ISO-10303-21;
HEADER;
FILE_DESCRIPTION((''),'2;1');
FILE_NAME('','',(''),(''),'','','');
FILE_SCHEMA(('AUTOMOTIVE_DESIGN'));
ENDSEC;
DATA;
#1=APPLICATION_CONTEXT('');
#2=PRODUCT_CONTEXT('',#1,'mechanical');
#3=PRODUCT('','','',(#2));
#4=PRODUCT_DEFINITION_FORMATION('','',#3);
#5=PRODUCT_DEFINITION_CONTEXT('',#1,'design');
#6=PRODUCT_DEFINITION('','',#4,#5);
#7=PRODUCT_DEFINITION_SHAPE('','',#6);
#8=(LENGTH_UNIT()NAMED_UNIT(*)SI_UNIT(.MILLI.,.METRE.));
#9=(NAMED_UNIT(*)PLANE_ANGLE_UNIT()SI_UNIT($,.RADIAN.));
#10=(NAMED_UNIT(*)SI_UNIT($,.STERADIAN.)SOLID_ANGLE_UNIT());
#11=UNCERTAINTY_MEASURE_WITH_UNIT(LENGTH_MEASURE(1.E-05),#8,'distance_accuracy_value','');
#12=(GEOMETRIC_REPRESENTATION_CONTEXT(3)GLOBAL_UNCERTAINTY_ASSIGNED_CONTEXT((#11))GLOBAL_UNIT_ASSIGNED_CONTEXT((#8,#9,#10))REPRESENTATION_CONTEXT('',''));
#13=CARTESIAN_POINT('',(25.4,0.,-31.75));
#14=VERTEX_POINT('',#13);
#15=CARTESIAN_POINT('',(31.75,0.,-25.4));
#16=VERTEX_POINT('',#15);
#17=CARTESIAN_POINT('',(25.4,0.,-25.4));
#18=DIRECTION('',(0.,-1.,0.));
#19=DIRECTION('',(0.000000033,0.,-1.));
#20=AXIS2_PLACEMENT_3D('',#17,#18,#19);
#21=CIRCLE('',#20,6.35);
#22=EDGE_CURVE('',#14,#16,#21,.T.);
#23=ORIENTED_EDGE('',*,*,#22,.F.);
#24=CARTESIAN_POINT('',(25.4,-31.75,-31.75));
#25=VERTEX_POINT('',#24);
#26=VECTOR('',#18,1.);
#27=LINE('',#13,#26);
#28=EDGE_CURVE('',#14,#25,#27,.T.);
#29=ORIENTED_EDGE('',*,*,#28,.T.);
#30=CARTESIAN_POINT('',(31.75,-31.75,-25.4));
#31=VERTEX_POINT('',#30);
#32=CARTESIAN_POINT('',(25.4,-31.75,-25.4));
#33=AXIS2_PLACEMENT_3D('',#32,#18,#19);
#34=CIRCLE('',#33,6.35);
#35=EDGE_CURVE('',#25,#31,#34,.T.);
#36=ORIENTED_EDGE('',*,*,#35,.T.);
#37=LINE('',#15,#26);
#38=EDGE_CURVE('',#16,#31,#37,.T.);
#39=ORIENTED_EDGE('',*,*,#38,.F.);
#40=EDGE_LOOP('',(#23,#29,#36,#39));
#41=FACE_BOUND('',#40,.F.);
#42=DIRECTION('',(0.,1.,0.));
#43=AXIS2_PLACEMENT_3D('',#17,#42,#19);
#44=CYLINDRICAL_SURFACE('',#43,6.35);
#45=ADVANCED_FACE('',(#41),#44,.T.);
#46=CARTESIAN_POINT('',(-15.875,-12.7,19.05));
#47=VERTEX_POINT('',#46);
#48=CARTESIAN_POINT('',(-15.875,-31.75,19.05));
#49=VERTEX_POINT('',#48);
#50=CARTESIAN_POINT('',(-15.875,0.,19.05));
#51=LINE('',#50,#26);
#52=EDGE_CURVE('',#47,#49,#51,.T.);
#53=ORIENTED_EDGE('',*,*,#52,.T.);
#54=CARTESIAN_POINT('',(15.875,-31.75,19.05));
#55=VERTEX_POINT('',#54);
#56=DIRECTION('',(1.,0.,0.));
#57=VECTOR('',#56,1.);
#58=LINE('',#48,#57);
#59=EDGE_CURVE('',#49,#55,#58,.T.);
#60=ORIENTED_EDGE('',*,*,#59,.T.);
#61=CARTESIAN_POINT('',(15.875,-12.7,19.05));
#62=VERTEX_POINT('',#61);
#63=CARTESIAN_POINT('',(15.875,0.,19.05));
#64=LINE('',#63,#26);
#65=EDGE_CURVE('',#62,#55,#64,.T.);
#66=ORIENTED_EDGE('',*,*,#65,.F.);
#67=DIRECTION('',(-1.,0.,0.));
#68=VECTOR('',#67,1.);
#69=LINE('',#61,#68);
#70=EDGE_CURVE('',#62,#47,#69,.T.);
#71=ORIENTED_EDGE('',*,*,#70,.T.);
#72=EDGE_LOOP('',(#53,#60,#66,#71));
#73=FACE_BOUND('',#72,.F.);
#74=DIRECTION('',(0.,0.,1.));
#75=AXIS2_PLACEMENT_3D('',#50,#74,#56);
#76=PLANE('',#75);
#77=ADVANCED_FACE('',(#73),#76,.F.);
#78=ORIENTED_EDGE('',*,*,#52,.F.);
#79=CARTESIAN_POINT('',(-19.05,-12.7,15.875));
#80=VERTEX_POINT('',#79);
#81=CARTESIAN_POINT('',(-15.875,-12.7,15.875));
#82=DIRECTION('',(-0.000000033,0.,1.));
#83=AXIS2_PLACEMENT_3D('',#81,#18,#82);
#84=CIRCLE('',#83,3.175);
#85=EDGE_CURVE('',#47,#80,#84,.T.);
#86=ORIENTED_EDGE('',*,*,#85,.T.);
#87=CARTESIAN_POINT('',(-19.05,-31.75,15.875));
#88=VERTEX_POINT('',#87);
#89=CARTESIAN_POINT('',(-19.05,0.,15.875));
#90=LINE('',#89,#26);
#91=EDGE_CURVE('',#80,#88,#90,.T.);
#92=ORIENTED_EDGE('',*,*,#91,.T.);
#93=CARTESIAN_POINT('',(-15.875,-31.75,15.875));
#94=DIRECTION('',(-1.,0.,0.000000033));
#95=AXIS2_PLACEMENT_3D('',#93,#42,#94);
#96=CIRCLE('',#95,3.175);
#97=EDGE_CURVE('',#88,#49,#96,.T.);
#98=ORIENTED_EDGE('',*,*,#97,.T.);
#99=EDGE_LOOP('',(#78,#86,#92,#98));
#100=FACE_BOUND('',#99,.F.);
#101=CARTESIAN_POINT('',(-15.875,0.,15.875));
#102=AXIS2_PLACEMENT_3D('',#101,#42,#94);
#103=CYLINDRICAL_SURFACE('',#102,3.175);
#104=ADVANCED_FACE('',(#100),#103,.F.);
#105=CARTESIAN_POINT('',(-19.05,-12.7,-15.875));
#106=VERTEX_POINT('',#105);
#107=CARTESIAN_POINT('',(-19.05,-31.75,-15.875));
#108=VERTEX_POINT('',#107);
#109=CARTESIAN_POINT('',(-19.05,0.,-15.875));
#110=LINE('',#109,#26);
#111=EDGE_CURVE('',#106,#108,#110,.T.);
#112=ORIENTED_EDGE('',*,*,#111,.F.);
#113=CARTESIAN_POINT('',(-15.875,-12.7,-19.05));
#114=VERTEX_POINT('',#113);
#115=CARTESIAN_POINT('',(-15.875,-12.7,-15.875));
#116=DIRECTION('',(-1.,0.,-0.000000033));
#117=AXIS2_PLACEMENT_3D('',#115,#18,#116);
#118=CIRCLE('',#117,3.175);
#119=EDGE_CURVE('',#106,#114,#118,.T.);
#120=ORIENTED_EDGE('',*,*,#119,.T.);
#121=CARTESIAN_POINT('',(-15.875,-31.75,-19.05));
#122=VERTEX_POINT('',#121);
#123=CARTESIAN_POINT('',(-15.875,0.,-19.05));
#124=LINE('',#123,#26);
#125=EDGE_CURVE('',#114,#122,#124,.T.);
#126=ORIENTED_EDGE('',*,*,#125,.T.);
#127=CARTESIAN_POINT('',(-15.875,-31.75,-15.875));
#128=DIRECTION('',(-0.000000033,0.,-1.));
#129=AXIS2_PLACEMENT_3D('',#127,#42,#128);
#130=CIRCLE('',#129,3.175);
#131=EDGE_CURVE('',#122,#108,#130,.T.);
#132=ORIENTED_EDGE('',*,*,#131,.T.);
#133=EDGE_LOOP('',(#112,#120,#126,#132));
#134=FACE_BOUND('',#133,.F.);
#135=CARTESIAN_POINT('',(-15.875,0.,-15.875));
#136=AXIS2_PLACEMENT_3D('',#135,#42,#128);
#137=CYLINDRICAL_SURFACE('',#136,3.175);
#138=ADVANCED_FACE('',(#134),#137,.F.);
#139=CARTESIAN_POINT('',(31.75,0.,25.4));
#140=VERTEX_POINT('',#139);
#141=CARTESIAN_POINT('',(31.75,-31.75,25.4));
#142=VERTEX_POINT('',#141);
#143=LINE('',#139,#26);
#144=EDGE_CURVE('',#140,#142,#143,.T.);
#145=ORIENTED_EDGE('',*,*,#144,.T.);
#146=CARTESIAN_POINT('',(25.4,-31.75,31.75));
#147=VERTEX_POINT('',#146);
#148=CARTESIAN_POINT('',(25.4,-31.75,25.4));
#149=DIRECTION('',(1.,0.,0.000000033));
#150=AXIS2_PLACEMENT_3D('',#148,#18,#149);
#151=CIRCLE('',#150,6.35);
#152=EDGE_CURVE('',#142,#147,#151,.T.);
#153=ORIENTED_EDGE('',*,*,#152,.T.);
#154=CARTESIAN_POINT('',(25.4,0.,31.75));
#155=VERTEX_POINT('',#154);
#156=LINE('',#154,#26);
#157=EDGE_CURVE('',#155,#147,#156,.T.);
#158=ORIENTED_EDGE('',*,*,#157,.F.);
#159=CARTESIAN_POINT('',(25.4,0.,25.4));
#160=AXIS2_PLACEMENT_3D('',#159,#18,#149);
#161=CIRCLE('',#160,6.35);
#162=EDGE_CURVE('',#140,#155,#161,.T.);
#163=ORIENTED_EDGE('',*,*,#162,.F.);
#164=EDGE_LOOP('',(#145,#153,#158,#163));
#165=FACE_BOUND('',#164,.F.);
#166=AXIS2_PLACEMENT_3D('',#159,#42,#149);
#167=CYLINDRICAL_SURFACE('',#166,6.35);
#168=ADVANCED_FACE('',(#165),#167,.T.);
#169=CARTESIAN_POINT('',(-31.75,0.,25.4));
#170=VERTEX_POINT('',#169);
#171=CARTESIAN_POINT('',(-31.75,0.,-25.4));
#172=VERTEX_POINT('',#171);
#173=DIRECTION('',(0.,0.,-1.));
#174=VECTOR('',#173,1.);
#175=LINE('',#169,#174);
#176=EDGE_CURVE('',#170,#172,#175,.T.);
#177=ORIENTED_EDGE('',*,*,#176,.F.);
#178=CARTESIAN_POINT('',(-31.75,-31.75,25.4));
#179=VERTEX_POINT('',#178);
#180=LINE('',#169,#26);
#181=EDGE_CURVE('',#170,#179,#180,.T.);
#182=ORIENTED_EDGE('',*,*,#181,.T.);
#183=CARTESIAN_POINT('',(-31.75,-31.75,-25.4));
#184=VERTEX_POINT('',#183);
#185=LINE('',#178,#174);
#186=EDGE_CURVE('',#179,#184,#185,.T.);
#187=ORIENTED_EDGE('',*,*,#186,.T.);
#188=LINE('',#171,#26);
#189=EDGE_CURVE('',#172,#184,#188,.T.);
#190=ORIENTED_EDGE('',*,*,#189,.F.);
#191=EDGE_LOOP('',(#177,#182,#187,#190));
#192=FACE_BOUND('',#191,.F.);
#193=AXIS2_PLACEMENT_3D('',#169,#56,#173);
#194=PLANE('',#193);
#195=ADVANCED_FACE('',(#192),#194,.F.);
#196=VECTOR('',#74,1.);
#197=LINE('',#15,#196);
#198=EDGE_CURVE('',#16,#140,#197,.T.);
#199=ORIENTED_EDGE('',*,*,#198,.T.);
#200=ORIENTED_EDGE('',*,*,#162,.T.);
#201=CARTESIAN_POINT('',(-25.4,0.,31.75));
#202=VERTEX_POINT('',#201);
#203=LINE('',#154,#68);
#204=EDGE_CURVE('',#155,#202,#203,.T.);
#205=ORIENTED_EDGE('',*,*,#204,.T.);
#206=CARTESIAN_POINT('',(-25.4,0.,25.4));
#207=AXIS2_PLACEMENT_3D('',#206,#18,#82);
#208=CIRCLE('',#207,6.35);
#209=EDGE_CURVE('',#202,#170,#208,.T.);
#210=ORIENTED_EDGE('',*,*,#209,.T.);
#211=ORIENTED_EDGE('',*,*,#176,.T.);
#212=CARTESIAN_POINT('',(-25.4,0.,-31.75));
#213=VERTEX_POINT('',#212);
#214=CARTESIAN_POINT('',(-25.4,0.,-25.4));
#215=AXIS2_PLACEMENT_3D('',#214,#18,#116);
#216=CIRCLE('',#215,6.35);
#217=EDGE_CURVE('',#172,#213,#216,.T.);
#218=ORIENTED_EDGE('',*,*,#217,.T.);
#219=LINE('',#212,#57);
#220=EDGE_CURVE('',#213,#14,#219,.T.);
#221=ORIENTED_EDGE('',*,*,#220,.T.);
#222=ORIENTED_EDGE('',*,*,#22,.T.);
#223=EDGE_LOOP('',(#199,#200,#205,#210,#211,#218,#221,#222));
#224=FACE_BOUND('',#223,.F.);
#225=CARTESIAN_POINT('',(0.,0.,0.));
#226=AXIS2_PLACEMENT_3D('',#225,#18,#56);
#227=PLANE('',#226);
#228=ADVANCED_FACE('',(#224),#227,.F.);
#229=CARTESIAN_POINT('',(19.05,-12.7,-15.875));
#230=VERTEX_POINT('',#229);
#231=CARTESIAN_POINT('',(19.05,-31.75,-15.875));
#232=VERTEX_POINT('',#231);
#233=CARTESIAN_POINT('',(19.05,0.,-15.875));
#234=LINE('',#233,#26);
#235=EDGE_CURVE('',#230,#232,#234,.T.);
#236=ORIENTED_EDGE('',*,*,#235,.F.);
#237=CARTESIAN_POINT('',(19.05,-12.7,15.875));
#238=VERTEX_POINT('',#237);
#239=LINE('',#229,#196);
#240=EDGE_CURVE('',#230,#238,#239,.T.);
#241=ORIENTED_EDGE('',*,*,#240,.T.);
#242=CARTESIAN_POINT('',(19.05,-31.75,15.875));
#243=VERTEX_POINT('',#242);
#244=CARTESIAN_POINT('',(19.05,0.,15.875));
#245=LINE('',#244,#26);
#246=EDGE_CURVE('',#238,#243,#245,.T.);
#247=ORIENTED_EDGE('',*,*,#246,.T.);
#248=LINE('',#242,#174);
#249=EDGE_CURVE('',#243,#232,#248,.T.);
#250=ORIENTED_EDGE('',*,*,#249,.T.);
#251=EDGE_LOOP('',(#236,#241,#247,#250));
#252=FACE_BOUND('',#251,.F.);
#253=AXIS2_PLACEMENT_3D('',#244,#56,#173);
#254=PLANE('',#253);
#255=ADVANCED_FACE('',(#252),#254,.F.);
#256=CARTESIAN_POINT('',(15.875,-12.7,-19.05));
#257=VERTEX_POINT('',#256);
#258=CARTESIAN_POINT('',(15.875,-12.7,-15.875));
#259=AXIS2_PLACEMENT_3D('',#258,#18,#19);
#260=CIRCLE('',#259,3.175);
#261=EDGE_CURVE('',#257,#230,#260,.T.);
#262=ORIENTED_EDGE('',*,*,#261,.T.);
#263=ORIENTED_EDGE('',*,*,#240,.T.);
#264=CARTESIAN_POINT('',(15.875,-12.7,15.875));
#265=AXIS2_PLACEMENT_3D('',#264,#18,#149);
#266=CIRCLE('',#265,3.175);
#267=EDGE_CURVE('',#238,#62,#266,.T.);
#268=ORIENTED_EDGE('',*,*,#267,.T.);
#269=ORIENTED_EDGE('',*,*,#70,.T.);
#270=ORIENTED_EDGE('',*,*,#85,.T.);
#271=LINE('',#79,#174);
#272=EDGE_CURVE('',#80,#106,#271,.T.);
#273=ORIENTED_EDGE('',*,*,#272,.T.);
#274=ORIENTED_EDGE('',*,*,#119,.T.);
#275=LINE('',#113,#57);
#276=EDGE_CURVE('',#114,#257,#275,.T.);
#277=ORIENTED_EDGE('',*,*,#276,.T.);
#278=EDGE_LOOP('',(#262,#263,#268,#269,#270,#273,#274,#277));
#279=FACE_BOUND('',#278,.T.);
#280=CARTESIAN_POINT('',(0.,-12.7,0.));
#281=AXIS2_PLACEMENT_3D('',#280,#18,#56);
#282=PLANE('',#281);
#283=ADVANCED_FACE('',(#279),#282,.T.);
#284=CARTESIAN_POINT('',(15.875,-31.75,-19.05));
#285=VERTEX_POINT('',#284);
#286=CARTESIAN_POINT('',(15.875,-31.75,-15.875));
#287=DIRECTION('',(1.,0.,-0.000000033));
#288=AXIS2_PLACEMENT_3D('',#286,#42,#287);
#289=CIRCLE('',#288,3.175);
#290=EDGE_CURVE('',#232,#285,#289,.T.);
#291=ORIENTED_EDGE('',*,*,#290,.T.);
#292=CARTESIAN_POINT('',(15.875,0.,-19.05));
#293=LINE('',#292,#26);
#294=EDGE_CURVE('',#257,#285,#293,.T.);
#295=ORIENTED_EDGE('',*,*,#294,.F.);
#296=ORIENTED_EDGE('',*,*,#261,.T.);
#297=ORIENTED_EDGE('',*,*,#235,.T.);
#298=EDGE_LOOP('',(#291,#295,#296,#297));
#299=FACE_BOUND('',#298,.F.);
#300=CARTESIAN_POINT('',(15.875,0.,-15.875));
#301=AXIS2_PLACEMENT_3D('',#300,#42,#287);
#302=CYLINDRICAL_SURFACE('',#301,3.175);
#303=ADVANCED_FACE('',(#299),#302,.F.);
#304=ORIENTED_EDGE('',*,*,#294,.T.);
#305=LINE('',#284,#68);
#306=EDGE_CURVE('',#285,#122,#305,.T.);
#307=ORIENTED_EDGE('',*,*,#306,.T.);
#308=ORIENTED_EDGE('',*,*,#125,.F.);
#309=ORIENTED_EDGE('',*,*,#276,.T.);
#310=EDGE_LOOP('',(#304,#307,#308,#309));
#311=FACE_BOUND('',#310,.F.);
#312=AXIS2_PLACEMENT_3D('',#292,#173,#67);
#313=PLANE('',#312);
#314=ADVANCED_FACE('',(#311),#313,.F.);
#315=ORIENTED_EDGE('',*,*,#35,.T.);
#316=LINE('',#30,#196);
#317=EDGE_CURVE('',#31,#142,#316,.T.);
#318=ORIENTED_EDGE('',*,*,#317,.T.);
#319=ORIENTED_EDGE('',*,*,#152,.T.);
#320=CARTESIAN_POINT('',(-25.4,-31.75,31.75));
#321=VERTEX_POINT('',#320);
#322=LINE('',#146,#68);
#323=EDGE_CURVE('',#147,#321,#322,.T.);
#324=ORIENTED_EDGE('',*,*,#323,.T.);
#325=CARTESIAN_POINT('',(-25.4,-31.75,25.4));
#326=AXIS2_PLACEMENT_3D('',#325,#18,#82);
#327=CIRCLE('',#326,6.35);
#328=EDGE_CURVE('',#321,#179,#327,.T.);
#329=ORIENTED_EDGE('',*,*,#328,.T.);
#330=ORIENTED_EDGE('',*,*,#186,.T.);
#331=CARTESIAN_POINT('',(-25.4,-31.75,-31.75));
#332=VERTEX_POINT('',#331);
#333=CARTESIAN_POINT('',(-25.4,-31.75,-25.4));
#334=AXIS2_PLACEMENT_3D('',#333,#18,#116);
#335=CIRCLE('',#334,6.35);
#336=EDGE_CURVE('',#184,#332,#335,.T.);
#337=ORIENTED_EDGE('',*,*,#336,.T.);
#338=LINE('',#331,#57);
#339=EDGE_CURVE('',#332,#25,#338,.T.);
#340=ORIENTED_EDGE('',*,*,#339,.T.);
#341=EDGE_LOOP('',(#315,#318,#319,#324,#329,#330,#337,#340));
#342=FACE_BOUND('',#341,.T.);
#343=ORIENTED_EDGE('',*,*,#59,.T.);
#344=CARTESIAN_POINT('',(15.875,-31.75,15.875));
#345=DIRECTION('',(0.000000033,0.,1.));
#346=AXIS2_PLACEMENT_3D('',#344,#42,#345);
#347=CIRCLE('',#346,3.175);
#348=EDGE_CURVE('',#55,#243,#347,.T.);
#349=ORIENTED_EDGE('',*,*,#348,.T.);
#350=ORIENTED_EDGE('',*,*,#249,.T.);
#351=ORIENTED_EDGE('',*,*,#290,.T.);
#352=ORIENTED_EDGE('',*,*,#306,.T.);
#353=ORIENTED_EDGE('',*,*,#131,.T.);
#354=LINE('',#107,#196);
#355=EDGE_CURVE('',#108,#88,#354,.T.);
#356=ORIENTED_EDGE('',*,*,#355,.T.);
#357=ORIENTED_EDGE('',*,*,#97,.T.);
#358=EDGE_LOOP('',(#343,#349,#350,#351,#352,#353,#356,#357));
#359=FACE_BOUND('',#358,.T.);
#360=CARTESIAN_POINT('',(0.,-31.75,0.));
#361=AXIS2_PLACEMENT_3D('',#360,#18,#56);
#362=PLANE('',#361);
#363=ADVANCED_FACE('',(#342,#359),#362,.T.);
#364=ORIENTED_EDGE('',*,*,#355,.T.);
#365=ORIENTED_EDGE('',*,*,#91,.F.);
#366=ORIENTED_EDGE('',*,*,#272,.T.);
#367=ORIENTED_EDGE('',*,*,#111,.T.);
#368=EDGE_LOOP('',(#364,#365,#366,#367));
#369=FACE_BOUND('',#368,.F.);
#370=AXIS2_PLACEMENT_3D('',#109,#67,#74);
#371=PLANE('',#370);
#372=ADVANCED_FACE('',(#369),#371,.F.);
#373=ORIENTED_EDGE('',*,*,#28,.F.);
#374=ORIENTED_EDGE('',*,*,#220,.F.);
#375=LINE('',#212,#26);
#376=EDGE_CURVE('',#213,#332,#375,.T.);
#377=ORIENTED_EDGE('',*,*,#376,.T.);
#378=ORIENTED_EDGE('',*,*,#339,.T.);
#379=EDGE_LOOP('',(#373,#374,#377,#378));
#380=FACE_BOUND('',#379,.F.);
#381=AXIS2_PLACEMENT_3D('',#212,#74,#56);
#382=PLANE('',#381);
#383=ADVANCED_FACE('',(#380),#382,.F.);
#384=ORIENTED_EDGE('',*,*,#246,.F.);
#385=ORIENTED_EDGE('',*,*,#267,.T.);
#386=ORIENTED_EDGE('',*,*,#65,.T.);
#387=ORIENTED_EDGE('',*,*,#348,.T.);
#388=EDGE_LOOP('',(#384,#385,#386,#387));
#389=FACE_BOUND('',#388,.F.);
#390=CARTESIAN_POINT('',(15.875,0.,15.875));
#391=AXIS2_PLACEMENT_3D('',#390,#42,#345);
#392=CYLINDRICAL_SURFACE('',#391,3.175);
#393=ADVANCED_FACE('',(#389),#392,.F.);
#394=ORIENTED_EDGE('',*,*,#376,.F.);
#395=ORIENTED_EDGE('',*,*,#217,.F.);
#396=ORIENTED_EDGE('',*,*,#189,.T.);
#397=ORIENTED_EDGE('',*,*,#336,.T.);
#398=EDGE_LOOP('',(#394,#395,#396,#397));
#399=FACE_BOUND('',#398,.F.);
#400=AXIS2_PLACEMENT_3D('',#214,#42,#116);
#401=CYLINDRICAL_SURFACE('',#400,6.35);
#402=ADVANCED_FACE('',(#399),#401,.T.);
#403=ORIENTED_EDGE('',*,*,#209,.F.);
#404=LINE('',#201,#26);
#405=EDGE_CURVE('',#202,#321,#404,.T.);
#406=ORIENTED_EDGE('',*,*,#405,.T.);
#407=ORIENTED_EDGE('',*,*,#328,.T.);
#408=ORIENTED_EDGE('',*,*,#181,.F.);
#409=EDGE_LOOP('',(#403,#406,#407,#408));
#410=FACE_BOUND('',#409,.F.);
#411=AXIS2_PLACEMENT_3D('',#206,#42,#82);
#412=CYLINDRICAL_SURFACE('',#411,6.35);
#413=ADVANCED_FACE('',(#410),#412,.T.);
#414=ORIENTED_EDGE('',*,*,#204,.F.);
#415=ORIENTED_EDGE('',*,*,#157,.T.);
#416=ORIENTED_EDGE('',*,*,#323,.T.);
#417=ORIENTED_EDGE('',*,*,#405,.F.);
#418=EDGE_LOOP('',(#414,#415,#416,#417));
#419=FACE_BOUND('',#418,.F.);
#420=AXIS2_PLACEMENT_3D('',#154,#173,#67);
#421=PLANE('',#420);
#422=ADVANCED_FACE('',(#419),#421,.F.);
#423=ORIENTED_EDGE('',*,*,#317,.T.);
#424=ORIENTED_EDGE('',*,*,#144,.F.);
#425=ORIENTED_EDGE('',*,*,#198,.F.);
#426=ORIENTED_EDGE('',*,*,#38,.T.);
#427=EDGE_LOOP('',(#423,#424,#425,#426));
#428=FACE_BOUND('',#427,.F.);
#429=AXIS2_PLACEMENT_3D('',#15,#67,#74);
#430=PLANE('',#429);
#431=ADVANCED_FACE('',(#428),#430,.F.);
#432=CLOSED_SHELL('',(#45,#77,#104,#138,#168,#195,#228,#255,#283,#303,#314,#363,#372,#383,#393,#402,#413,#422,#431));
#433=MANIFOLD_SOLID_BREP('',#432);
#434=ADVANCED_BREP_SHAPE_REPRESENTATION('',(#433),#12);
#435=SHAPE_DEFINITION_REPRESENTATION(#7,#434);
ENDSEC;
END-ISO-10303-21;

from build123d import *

# Parameters (mm, degrees)
F1_DEPTH = 12.7
F2_DEPTH = 31.75


with BuildPart() as f1:
    # F0 (on Front) → F1 (new body)
    with BuildSketch(Plane.XZ):
        with BuildLine():
            Line((-19.05, 15.875), (-19.05, -15.875))
            ThreePointArc((-19.05, -15.875), (-18.120064, -18.120064), (-15.875, -19.05))
            Line((-15.875, -19.05), (15.875, -19.05))
            ThreePointArc((15.875, -19.05), (18.120064, -18.120064), (19.05, -15.875))
            Line((19.05, -15.875), (19.05, 15.875))
            ThreePointArc((19.05, 15.875), (18.120064, 18.120064), (15.875, 19.05))
            Line((15.875, 19.05), (-15.875, 19.05))
            ThreePointArc((-15.875, 19.05), (-18.120064, 18.120064), (-19.05, 15.875))
        make_face()
    extrude(amount=F1_DEPTH)

    # F0 (on Front) → F2 (join)
    with BuildSketch(Plane.XZ):
        with BuildLine():
            Line((-25.4, -31.75), (25.4, -31.75))
            ThreePointArc((25.4, -31.75), (29.890128, -29.890128), (31.75, -25.4))
            Line((31.75, -25.4), (31.75, 25.4))
            ThreePointArc((31.75, 25.4), (29.890128, 29.890128), (25.4, 31.75))
            Line((25.4, 31.75), (-25.4, 31.75))
            ThreePointArc((-25.4, 31.75), (-29.890128, 29.890128), (-31.75, 25.4))
            Line((-31.75, 25.4), (-31.75, -25.4))
            ThreePointArc((-31.75, -25.4), (-29.890128, -29.890128), (-25.4, -31.75))
        make_face()
        with BuildLine():
            ThreePointArc((-15.875, -19.05), (-18.120064, -18.120064), (-19.05, -15.875))
            Line((-19.05, -15.875), (-19.05, 15.875))
            ThreePointArc((-19.05, 15.875), (-18.120064, 18.120064), (-15.875, 19.05))
            Line((-15.875, 19.05), (15.875, 19.05))
            ThreePointArc((15.875, 19.05), (18.120064, 18.120064), (19.05, 15.875))
            Line((19.05, 15.875), (19.05, -15.875))
            ThreePointArc((19.05, -15.875), (18.120064, -18.120064), (15.875, -19.05))
            Line((15.875, -19.05), (-15.875, -19.05))
        make_face(mode=Mode.SUBTRACT)
    extrude(amount=F2_DEPTH)


solid = f1.part
